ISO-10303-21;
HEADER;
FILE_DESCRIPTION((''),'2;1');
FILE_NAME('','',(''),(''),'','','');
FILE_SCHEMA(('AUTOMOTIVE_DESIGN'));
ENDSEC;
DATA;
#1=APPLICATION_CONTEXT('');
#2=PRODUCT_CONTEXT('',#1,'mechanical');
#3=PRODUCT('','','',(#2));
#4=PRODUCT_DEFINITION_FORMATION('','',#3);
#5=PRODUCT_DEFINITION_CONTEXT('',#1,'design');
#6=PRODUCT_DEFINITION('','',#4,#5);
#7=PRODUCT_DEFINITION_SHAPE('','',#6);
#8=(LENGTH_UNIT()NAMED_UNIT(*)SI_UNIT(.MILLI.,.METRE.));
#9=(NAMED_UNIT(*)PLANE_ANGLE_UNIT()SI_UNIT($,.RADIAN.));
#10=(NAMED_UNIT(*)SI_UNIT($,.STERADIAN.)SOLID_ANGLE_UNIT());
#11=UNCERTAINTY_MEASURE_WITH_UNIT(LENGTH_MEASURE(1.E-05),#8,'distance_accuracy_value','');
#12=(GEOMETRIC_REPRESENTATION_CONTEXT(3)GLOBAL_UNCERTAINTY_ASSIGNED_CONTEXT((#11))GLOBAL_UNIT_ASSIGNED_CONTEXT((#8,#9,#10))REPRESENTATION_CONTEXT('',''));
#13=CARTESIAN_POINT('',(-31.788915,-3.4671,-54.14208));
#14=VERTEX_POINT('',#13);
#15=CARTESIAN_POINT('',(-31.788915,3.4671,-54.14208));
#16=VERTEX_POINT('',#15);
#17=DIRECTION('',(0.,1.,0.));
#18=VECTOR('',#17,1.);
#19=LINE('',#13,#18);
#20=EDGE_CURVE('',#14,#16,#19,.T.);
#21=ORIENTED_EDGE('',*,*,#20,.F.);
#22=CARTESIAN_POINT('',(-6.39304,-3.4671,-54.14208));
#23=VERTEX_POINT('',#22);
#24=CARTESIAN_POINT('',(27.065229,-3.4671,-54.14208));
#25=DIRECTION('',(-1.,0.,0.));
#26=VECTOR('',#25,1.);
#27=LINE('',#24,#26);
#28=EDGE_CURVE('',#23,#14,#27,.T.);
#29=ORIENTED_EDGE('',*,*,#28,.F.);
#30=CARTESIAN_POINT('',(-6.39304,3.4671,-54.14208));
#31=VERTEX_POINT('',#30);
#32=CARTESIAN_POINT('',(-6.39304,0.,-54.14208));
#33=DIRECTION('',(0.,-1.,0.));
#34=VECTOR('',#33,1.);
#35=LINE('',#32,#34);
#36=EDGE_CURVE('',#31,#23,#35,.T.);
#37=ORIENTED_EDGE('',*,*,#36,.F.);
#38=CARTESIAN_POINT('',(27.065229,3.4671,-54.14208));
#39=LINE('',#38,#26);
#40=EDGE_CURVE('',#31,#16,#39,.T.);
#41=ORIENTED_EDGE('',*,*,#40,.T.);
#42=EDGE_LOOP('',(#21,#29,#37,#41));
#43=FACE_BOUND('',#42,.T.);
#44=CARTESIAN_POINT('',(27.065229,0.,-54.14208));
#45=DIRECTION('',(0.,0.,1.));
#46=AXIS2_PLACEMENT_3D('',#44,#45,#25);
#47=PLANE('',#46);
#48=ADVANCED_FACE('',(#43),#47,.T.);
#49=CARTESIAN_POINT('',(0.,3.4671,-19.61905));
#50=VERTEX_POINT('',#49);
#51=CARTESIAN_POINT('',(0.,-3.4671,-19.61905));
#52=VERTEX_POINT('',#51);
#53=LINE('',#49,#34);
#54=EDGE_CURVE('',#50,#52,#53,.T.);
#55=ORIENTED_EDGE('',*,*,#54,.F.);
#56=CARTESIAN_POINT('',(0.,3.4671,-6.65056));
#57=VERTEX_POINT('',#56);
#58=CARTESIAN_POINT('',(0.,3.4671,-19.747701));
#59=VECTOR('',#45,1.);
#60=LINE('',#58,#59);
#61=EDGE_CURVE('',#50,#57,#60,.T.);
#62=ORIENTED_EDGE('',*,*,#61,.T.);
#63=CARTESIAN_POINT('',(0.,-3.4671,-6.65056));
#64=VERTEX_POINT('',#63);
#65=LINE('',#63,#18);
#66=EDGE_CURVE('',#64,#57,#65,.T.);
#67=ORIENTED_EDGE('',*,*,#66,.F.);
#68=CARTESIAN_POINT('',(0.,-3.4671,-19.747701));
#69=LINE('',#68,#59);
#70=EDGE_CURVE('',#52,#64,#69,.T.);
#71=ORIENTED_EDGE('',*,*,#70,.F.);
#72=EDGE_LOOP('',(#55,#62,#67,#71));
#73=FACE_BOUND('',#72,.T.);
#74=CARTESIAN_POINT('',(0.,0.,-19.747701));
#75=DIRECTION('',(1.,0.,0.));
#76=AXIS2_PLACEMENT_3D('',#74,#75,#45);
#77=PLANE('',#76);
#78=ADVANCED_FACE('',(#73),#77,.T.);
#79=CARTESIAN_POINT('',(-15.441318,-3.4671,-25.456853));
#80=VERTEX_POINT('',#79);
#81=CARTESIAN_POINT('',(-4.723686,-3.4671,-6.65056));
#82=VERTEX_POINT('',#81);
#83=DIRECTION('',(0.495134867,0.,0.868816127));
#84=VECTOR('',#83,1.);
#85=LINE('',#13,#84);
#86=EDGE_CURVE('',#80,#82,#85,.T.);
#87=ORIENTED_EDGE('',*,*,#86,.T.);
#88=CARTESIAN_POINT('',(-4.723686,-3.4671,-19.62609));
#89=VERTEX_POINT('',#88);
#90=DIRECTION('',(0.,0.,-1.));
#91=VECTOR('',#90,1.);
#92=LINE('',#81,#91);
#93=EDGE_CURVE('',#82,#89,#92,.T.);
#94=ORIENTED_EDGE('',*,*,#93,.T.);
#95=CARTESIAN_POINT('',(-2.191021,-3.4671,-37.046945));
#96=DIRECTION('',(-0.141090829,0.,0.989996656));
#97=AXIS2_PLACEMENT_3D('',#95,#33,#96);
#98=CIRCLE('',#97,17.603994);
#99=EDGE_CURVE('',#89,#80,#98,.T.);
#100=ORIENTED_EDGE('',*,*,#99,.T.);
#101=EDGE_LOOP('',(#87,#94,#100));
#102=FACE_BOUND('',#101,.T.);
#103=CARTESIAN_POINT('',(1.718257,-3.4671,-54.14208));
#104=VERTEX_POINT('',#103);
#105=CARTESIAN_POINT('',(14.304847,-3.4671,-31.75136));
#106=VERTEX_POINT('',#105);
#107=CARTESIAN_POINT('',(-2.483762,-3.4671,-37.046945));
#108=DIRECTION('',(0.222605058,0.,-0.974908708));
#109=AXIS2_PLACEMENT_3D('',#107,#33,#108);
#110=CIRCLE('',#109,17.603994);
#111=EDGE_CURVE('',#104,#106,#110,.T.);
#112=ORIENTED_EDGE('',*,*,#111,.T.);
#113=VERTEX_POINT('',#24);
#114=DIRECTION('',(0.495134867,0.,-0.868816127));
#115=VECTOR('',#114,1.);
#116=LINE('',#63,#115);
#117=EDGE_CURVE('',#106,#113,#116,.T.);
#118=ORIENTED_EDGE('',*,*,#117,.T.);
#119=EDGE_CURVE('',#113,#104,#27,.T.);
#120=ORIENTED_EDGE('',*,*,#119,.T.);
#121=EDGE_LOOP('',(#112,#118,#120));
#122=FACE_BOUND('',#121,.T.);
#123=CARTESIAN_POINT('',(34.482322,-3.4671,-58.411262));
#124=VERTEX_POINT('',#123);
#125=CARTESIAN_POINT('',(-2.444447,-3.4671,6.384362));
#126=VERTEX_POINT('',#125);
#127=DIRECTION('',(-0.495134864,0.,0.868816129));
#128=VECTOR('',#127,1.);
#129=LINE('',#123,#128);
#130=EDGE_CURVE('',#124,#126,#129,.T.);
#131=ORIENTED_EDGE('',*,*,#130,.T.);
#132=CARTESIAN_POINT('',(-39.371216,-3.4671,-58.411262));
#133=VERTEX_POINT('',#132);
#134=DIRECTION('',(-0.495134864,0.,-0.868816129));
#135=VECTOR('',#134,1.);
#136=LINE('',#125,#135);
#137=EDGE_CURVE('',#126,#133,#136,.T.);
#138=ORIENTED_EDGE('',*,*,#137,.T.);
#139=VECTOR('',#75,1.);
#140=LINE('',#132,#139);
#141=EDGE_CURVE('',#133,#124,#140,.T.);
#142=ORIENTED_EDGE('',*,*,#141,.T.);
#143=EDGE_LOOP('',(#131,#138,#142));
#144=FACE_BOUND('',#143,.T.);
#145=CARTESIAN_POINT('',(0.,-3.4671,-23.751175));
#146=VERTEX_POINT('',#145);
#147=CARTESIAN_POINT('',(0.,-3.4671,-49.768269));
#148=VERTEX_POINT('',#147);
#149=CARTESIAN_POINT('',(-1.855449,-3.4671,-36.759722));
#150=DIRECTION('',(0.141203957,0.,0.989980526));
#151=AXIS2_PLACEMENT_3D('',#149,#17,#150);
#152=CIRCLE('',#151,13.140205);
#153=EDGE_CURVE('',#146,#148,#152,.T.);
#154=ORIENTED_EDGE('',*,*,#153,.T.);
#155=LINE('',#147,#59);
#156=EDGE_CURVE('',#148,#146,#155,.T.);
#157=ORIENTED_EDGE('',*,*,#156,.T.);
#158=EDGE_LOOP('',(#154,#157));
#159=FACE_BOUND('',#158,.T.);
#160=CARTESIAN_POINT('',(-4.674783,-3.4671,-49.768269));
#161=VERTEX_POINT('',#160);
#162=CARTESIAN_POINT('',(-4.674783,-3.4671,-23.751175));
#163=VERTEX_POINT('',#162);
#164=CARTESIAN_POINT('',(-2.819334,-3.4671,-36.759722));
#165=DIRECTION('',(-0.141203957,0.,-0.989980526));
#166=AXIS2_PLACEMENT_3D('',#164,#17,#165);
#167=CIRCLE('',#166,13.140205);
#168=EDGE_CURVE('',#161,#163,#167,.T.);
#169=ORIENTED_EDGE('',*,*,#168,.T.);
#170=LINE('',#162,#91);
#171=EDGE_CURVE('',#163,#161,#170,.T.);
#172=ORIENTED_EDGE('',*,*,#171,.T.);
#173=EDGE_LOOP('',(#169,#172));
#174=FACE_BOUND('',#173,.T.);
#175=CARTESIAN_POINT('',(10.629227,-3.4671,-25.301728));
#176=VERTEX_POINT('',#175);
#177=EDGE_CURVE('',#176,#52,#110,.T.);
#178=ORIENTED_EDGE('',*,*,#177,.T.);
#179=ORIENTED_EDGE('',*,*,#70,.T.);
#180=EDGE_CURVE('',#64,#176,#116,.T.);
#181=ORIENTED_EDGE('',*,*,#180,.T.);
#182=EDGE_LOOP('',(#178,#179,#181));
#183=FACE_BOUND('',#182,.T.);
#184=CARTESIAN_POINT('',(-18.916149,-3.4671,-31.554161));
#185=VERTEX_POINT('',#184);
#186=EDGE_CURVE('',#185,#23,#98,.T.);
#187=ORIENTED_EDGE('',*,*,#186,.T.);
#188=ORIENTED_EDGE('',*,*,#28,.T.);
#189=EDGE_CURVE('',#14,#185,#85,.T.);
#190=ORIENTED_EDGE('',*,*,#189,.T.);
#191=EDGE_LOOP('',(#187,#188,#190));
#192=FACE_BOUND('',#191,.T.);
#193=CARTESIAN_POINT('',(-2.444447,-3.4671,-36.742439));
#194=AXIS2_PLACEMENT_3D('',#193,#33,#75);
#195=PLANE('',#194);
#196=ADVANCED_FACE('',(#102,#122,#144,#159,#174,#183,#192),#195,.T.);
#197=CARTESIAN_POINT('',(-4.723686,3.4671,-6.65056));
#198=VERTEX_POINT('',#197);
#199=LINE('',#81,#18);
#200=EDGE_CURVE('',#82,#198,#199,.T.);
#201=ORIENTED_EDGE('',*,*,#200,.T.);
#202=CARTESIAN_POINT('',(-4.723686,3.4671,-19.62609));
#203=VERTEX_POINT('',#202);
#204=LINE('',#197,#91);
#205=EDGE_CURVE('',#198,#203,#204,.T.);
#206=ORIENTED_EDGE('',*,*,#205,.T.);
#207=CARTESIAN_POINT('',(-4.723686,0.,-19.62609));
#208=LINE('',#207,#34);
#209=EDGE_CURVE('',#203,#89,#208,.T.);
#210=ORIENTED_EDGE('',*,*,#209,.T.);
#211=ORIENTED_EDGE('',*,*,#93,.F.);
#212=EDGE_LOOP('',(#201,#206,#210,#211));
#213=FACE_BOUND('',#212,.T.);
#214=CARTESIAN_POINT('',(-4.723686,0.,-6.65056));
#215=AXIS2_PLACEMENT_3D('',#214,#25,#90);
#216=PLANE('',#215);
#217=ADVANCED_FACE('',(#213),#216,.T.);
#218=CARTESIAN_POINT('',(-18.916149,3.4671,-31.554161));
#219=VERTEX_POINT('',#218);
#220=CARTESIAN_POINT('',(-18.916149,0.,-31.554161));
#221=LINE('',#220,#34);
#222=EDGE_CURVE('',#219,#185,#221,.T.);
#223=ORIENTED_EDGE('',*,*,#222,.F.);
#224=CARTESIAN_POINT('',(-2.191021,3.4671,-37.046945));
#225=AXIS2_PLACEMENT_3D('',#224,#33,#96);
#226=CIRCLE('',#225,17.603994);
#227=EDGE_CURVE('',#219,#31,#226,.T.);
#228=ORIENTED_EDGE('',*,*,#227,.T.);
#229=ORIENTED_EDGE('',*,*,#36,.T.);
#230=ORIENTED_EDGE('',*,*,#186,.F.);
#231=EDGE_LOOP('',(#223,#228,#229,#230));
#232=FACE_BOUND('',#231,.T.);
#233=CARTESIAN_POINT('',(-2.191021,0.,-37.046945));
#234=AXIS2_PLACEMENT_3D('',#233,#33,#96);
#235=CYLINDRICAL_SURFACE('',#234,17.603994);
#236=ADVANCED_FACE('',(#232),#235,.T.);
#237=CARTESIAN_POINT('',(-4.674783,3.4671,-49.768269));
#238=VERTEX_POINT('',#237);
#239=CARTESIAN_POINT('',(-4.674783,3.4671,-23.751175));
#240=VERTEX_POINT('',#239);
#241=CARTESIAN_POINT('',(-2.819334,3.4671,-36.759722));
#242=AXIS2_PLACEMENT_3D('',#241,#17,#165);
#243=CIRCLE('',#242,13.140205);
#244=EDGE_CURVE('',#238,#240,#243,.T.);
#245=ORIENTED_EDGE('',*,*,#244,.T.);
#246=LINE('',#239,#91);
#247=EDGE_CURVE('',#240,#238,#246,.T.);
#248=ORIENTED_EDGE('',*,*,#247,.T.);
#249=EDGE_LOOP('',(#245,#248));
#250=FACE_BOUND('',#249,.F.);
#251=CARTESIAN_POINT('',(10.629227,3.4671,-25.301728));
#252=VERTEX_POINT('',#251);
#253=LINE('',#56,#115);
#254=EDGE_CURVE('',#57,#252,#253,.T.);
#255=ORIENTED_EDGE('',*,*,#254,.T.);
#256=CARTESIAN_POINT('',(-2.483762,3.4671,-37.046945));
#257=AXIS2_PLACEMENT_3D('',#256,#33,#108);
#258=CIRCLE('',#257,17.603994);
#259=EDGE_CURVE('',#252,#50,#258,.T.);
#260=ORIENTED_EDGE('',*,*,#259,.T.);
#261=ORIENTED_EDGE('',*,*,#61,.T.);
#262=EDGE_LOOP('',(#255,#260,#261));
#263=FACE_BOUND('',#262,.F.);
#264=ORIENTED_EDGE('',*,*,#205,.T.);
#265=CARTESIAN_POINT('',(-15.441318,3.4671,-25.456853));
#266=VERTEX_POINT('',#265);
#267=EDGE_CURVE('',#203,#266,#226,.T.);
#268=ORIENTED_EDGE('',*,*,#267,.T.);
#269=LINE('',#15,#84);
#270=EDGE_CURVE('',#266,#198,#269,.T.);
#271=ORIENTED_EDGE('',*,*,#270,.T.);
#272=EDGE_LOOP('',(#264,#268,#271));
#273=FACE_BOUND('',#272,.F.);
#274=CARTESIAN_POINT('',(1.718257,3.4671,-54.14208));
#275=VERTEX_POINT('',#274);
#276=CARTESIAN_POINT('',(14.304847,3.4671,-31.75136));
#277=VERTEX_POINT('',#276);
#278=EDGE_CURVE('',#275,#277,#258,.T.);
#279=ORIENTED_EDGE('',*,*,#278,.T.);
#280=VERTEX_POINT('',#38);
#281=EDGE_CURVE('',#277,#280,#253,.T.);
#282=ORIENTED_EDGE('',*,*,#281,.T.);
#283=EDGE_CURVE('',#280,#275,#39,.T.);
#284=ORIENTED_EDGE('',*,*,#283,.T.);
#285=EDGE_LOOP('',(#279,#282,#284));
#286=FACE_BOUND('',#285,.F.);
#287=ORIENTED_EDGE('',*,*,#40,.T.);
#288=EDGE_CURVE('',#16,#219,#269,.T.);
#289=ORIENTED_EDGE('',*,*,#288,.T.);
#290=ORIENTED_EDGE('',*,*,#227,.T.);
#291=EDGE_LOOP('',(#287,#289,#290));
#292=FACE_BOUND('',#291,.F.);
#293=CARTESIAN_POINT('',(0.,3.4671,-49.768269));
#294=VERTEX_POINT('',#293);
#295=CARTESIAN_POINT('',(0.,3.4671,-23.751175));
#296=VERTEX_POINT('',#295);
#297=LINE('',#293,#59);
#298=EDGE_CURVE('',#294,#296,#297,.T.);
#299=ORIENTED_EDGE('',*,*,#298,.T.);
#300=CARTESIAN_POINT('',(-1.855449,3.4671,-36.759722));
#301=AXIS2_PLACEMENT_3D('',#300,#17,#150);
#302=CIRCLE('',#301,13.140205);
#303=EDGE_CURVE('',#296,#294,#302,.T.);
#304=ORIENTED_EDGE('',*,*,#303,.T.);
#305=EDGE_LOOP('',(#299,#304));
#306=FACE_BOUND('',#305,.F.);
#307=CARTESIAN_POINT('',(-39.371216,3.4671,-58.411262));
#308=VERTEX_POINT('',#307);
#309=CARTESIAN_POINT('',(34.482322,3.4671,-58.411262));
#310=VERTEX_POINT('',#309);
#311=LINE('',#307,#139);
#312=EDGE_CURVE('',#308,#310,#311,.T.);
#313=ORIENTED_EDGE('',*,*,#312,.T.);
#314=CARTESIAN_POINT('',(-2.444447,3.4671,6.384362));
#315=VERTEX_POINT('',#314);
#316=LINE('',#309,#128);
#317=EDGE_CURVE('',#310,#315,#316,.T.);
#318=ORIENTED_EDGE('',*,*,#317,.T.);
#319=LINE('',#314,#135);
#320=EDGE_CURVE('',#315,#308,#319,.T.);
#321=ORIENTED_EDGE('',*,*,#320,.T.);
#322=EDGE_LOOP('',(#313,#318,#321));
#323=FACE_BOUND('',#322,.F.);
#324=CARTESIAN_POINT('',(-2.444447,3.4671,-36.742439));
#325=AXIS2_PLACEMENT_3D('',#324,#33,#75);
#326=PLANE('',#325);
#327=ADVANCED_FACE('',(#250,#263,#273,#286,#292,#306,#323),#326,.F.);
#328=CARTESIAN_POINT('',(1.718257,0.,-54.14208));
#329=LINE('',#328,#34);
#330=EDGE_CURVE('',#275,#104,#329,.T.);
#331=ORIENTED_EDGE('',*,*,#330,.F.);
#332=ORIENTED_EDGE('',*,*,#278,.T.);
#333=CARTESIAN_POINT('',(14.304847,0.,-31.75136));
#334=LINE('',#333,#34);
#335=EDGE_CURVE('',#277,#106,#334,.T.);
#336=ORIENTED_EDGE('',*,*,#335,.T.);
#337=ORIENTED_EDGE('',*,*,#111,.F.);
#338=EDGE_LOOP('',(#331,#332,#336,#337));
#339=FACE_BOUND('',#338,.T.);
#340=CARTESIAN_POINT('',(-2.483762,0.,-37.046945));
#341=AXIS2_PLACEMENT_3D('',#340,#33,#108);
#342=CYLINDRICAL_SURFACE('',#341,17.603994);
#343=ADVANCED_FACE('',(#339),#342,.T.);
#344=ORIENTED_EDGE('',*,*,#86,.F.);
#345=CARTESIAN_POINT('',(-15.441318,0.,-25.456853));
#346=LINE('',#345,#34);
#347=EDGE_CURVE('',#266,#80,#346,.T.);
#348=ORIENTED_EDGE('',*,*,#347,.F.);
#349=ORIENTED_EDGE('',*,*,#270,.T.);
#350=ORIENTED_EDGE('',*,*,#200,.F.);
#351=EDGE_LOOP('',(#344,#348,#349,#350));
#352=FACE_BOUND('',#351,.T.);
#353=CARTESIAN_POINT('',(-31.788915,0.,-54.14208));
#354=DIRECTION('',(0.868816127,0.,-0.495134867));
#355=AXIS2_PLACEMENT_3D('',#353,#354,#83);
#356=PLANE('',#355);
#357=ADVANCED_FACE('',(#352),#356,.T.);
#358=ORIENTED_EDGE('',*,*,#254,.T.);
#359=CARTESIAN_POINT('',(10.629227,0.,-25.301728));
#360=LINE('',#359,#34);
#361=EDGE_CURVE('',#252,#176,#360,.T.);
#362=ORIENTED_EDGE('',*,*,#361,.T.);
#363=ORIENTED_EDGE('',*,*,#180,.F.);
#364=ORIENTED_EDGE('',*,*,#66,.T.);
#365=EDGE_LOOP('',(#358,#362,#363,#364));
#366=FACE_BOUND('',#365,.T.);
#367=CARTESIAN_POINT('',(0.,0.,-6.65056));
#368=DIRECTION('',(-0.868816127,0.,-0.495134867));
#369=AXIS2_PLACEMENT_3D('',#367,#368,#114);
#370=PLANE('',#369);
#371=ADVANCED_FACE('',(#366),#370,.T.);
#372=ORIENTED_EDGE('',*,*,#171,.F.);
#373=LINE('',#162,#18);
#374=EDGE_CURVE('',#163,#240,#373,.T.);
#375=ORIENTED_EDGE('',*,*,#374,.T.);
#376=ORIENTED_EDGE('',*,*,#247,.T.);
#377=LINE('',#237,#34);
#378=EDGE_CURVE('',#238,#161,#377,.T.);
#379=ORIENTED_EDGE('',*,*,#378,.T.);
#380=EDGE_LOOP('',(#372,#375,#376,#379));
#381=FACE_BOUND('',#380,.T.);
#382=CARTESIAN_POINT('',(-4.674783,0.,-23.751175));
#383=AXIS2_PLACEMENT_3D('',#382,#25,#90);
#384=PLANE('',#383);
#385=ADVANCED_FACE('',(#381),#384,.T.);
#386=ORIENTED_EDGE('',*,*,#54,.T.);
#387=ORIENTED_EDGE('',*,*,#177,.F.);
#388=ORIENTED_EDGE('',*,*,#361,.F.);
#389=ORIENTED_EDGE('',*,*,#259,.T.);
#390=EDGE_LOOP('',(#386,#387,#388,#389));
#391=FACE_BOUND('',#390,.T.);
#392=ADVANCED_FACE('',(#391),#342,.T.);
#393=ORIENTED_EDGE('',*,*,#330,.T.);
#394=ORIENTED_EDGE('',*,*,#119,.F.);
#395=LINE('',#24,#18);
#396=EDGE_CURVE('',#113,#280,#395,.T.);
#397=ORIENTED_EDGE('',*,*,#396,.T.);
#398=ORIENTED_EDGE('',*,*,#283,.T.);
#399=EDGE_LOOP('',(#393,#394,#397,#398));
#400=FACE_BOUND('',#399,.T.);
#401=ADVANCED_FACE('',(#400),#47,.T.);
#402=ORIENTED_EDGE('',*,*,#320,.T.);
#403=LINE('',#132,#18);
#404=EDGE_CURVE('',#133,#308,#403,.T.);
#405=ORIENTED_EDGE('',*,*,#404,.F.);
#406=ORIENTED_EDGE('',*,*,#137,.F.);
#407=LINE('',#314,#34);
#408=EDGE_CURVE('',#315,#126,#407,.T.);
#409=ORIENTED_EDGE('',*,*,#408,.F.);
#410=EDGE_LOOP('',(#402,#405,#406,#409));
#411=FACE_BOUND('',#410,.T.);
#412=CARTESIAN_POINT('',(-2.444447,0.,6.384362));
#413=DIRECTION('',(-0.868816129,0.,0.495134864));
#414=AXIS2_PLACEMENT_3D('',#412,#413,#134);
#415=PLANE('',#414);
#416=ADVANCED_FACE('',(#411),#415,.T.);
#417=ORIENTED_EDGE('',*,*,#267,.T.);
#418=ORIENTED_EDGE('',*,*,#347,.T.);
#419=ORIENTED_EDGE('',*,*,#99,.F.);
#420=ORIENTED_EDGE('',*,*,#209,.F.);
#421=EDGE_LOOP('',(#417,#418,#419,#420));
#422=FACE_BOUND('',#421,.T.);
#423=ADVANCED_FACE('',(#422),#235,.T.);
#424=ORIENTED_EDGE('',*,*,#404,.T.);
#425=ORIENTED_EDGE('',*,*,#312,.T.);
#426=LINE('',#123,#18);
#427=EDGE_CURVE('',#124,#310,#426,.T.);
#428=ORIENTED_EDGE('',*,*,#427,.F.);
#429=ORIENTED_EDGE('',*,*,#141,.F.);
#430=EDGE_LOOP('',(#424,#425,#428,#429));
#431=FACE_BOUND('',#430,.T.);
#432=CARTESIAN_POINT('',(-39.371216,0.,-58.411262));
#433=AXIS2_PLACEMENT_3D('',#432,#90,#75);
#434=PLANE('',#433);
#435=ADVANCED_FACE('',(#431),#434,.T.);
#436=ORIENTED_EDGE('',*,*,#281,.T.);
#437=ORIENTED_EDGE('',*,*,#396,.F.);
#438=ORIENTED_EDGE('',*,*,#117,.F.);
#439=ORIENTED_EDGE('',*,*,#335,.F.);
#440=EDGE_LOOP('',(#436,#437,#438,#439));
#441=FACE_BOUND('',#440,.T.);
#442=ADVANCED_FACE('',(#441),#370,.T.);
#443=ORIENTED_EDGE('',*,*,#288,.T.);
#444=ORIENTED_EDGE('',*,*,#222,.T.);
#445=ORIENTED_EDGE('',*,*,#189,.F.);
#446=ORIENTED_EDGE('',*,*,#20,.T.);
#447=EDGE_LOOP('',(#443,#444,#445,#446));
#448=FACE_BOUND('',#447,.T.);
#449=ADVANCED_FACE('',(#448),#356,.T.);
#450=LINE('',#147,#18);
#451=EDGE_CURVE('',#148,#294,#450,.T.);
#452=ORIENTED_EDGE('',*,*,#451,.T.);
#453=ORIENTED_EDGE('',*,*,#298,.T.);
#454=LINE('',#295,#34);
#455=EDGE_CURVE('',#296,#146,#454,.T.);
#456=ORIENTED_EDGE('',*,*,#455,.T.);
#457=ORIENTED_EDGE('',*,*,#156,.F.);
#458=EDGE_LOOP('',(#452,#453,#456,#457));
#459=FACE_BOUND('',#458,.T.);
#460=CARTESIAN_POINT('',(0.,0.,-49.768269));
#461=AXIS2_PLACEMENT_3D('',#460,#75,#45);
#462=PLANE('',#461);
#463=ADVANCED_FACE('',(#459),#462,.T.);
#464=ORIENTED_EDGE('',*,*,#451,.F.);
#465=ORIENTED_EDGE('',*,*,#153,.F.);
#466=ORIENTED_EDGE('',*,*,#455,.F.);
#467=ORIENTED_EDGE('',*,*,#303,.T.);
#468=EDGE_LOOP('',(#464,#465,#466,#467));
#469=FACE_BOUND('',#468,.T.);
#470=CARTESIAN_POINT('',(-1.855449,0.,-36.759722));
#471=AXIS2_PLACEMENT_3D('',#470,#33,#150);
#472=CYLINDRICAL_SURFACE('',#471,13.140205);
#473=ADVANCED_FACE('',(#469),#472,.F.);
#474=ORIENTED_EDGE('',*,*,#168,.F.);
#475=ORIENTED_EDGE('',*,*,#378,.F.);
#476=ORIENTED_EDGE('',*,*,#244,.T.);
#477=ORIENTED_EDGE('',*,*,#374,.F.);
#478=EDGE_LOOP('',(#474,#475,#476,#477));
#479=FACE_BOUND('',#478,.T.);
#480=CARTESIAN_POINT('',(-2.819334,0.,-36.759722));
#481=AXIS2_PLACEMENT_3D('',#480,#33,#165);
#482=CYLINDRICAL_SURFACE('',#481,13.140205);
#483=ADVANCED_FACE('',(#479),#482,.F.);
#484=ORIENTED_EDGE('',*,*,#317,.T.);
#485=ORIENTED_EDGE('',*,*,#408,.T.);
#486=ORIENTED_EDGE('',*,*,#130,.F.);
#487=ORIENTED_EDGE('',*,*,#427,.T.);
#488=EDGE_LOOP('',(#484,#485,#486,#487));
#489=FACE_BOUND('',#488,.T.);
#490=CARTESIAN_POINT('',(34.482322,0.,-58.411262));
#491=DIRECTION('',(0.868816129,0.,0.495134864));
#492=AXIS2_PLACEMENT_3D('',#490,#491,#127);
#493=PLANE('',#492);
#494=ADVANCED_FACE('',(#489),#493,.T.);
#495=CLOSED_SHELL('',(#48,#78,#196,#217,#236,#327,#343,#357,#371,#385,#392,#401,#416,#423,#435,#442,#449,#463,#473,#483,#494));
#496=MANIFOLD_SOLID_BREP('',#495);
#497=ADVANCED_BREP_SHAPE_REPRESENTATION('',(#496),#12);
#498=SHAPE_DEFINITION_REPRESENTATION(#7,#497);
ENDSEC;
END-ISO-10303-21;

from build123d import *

# Parameters (mm, degrees)
F1_DEPTH = 3.4671
F3_DEPTH = 3.4671


with BuildPart() as f1:
    # F0 (on Front) → F1 (new body, symmetric)
    with BuildSketch(Plane.XZ):
        with BuildLine():
            ThreePointArc((-6.109759, -54.209232), (-2.337391, -54.560416), (1.434976, -54.209232))
            ThreePointArc((1.434976, -54.209232), (15.105103, -36.31727), (0, -19.61905))
            ThreePointArc((0, -19.61905), (-2.337391, -19.35588), (-4.674783, -19.61905))
            ThreePointArc((-4.674783, -19.61905), (-19.779886, -36.31727), (-6.109759, -54.209232))
        make_face()
        with BuildLine():
            ThreePointArc((-4.674783, -49.768269), (-15.959539, -36.759722), (-4.674783, -23.751175))
            Line((-4.674783, -23.751175), (-4.674783, -49.768269))
        make_face(mode=Mode.SUBTRACT)
        with BuildLine():
            ThreePointArc((0, -23.751175), (11.284756, -36.759722), (0, -49.768269))
            Line((0, -49.768269), (0, -23.751175))
        make_face(mode=Mode.SUBTRACT)
    extrude(amount=F1_DEPTH, both=True)

    # F2 (on Front) → F3 (join, symmetric)
    with BuildSketch(Plane.XZ):
        Polygon((34.482322, -58.411262), (-2.444447, 6.384362), (-39.371216, -58.411262), align=None)
        with BuildLine():
            Line((0, -19.747701), (0, -6.65056))
            Line((0, -6.65056), (27.065229, -54.14208))
            Line((27.065229, -54.14208), (-31.788915, -54.14208))
            Line((-31.788915, -54.14208), (-4.723686, -6.65056))
            Line((-4.723686, -6.65056), (-4.723686, -19.747701))
            ThreePointArc((-4.723686, -19.747701), (-2.361843, -19.393884), (0, -19.747701))
        make_face(mode=Mode.SUBTRACT)
    extrude(amount=F3_DEPTH, both=True)


solid = f1.part
